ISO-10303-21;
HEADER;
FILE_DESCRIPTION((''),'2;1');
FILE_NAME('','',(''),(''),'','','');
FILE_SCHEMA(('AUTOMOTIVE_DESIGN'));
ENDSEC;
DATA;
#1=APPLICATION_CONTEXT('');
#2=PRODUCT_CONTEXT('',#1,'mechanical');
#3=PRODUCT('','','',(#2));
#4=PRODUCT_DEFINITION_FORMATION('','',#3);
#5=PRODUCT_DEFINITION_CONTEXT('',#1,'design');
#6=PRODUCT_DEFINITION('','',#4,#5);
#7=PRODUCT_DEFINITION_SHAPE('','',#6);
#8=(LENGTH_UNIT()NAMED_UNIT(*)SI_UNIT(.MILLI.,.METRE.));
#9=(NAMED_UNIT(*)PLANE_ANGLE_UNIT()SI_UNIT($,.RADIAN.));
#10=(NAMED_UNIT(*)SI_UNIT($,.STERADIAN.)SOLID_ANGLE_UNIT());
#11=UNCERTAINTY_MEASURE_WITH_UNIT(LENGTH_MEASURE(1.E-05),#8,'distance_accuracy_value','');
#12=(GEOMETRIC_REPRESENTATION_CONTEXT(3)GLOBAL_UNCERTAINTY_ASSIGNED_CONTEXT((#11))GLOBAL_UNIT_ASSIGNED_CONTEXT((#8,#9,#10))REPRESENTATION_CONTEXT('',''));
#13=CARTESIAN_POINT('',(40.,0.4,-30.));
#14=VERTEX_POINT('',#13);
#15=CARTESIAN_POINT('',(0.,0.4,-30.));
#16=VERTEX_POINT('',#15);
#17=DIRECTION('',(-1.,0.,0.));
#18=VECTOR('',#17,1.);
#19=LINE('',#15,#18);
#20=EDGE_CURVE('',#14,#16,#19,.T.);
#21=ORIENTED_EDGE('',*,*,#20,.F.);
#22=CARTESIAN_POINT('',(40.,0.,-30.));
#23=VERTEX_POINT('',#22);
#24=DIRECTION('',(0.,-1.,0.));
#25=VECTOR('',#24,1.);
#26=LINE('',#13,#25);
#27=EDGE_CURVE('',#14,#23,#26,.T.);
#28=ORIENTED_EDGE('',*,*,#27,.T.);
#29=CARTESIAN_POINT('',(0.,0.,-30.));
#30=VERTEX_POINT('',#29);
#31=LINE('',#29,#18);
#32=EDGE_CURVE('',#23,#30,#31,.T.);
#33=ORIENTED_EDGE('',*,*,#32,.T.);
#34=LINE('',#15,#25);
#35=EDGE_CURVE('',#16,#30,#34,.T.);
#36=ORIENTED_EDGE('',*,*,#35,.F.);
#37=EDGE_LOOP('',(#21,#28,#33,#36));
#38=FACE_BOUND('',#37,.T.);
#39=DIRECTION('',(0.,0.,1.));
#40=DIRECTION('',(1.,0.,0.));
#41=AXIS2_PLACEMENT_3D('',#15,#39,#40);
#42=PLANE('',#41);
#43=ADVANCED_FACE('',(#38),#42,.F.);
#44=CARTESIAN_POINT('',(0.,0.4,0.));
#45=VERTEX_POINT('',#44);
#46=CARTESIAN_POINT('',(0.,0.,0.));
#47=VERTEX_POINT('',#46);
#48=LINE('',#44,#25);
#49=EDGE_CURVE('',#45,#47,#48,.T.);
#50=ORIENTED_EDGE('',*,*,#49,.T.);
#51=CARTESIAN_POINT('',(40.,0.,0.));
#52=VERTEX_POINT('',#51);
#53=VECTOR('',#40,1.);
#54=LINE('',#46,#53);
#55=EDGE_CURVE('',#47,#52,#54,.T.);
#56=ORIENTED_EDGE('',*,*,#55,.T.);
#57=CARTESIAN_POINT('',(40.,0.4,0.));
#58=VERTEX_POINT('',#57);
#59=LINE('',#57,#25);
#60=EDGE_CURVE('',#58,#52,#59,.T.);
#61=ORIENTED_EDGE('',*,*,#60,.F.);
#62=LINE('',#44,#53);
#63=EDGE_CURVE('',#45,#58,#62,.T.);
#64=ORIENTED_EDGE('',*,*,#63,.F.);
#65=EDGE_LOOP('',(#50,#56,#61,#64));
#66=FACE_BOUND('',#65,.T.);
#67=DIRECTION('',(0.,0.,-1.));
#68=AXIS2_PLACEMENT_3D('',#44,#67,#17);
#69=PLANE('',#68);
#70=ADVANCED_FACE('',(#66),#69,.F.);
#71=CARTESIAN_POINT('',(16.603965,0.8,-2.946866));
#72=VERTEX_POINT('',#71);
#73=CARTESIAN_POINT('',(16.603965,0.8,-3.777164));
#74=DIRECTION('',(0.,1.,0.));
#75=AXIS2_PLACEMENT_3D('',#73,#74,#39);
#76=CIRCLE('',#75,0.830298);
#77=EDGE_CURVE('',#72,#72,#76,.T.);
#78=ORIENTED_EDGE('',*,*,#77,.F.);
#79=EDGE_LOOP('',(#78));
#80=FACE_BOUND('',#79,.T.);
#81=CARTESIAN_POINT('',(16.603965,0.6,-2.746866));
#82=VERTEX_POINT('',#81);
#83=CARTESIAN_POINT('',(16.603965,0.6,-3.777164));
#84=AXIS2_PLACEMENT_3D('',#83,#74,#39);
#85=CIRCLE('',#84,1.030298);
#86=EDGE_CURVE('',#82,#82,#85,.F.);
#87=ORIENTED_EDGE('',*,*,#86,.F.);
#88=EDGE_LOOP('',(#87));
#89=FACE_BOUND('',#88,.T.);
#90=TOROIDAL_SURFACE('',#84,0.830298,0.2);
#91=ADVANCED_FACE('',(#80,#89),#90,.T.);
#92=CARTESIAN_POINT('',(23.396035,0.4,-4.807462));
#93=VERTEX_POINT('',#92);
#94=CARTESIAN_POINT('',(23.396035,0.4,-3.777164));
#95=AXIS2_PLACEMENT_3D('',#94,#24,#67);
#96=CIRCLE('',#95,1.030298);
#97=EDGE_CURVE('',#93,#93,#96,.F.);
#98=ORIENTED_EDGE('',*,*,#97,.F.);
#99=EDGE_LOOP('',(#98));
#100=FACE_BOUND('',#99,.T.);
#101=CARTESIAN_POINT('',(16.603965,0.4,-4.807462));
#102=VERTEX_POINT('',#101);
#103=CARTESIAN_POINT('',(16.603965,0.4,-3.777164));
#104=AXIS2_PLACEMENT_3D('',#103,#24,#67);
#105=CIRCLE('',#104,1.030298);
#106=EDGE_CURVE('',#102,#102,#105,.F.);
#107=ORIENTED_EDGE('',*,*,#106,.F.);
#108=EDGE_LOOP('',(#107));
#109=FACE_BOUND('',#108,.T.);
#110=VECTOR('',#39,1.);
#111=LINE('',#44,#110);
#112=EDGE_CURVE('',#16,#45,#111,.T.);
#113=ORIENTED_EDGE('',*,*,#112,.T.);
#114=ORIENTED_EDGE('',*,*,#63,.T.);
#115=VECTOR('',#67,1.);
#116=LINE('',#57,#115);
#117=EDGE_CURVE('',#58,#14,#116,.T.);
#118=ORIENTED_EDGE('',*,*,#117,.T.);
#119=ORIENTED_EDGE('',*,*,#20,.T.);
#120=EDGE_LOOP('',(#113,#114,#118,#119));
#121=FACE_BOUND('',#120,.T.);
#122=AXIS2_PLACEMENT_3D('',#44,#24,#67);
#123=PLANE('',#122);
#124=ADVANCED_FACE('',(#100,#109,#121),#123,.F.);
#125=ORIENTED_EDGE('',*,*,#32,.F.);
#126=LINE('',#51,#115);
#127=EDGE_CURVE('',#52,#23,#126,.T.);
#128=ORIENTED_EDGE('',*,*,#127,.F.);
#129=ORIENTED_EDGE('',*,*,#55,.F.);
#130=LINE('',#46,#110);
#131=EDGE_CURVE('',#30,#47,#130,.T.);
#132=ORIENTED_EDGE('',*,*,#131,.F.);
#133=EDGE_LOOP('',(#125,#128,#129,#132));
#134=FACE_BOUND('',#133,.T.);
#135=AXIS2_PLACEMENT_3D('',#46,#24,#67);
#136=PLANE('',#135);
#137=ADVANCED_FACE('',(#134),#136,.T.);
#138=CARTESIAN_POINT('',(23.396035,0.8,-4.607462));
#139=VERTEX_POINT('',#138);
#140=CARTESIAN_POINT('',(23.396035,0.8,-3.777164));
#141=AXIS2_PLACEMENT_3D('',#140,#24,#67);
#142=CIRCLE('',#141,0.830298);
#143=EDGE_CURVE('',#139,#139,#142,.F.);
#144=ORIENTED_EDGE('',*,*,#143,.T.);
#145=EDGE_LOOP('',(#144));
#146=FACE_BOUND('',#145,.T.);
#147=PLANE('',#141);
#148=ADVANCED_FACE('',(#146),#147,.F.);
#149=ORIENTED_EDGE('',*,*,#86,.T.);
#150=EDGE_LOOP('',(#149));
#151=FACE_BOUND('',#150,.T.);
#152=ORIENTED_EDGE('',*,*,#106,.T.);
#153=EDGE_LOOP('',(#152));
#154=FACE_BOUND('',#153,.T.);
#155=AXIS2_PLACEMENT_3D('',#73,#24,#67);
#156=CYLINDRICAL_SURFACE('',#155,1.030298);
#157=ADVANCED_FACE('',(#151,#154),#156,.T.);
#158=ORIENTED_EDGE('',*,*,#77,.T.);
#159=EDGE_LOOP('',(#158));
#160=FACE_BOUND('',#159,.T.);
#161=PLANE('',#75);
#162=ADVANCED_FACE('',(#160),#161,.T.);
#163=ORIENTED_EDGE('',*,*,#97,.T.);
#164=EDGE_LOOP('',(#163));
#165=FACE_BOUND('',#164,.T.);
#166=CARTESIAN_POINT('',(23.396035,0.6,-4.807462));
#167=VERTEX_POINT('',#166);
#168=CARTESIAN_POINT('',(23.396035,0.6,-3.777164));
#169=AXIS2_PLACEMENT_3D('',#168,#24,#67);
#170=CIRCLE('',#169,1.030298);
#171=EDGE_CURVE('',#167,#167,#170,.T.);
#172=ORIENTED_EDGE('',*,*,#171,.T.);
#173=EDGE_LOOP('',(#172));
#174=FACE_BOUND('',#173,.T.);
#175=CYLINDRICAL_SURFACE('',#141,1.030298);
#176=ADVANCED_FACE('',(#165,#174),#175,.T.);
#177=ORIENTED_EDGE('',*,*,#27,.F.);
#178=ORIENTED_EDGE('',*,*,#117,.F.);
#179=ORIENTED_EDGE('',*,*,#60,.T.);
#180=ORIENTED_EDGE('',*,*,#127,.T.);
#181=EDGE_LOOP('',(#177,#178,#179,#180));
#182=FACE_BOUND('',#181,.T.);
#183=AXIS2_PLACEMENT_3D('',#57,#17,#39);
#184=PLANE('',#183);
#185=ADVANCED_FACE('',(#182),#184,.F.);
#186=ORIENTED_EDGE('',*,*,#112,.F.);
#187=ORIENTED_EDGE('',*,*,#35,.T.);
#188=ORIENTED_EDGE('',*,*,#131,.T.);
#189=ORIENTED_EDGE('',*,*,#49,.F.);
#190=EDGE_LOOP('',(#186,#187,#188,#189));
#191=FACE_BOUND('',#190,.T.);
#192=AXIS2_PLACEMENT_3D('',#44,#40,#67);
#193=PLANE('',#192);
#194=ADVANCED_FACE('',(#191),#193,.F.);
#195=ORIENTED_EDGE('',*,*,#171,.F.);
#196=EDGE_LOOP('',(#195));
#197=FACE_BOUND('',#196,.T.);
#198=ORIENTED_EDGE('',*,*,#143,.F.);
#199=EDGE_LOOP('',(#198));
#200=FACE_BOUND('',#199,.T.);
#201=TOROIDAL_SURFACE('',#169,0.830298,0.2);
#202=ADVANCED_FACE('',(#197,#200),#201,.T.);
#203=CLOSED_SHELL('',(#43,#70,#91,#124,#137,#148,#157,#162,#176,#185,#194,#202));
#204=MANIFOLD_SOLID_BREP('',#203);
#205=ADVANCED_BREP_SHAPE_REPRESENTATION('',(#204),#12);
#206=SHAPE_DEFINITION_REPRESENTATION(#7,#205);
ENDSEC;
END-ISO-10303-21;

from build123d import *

# Parameters (mm, degrees)
SKETCH1_W           = 40
SKETCH1_H           = 30
BOSS_EXTRUDE1_DEPTH = 0.4
SKETCH2_R           = 1.030298152
BOSS_EXTRUDE2_DEPTH = 0.4
FILLET1_R           = 0.2


with BuildPart() as part:
    # Sketch1 → Boss-Extrude1 (new body)
    with BuildSketch(Plane(origin=(0, 0, 0), x_dir=(1, 0, 0), z_dir=(0, 1, 0))):
        with Locations((20, 15)):
            Rectangle(SKETCH1_W, SKETCH1_H)
    extrude(amount=BOSS_EXTRUDE1_DEPTH)

    # Sketch2 → Boss-Extrude2 (add)
    with BuildSketch(Plane(origin=(0, 0.4, 0), x_dir=(1, 0, 0), z_dir=(0, 1, 0))):
        with Locations(Location((16.603964513, 3.777163976, 0), (0, 0, 90))):
            Circle(SKETCH2_R)
        with Locations(Location((23.396035487, 3.777163976, 0), (0, 0, 90))):
            Circle(SKETCH2_R)
    extrude(amount=BOSS_EXTRUDE2_DEPTH)

    # Fillet1
    fillet1_edges = [part.edges().sort_by_distance(p)[0] for p in [
        (16.603964513, 0.8, -2.746865824),
        (23.396035487, 0.8, -2.746865824),
    ]]
    fillet(fillet1_edges, radius=FILLET1_R)


solid = part.part
